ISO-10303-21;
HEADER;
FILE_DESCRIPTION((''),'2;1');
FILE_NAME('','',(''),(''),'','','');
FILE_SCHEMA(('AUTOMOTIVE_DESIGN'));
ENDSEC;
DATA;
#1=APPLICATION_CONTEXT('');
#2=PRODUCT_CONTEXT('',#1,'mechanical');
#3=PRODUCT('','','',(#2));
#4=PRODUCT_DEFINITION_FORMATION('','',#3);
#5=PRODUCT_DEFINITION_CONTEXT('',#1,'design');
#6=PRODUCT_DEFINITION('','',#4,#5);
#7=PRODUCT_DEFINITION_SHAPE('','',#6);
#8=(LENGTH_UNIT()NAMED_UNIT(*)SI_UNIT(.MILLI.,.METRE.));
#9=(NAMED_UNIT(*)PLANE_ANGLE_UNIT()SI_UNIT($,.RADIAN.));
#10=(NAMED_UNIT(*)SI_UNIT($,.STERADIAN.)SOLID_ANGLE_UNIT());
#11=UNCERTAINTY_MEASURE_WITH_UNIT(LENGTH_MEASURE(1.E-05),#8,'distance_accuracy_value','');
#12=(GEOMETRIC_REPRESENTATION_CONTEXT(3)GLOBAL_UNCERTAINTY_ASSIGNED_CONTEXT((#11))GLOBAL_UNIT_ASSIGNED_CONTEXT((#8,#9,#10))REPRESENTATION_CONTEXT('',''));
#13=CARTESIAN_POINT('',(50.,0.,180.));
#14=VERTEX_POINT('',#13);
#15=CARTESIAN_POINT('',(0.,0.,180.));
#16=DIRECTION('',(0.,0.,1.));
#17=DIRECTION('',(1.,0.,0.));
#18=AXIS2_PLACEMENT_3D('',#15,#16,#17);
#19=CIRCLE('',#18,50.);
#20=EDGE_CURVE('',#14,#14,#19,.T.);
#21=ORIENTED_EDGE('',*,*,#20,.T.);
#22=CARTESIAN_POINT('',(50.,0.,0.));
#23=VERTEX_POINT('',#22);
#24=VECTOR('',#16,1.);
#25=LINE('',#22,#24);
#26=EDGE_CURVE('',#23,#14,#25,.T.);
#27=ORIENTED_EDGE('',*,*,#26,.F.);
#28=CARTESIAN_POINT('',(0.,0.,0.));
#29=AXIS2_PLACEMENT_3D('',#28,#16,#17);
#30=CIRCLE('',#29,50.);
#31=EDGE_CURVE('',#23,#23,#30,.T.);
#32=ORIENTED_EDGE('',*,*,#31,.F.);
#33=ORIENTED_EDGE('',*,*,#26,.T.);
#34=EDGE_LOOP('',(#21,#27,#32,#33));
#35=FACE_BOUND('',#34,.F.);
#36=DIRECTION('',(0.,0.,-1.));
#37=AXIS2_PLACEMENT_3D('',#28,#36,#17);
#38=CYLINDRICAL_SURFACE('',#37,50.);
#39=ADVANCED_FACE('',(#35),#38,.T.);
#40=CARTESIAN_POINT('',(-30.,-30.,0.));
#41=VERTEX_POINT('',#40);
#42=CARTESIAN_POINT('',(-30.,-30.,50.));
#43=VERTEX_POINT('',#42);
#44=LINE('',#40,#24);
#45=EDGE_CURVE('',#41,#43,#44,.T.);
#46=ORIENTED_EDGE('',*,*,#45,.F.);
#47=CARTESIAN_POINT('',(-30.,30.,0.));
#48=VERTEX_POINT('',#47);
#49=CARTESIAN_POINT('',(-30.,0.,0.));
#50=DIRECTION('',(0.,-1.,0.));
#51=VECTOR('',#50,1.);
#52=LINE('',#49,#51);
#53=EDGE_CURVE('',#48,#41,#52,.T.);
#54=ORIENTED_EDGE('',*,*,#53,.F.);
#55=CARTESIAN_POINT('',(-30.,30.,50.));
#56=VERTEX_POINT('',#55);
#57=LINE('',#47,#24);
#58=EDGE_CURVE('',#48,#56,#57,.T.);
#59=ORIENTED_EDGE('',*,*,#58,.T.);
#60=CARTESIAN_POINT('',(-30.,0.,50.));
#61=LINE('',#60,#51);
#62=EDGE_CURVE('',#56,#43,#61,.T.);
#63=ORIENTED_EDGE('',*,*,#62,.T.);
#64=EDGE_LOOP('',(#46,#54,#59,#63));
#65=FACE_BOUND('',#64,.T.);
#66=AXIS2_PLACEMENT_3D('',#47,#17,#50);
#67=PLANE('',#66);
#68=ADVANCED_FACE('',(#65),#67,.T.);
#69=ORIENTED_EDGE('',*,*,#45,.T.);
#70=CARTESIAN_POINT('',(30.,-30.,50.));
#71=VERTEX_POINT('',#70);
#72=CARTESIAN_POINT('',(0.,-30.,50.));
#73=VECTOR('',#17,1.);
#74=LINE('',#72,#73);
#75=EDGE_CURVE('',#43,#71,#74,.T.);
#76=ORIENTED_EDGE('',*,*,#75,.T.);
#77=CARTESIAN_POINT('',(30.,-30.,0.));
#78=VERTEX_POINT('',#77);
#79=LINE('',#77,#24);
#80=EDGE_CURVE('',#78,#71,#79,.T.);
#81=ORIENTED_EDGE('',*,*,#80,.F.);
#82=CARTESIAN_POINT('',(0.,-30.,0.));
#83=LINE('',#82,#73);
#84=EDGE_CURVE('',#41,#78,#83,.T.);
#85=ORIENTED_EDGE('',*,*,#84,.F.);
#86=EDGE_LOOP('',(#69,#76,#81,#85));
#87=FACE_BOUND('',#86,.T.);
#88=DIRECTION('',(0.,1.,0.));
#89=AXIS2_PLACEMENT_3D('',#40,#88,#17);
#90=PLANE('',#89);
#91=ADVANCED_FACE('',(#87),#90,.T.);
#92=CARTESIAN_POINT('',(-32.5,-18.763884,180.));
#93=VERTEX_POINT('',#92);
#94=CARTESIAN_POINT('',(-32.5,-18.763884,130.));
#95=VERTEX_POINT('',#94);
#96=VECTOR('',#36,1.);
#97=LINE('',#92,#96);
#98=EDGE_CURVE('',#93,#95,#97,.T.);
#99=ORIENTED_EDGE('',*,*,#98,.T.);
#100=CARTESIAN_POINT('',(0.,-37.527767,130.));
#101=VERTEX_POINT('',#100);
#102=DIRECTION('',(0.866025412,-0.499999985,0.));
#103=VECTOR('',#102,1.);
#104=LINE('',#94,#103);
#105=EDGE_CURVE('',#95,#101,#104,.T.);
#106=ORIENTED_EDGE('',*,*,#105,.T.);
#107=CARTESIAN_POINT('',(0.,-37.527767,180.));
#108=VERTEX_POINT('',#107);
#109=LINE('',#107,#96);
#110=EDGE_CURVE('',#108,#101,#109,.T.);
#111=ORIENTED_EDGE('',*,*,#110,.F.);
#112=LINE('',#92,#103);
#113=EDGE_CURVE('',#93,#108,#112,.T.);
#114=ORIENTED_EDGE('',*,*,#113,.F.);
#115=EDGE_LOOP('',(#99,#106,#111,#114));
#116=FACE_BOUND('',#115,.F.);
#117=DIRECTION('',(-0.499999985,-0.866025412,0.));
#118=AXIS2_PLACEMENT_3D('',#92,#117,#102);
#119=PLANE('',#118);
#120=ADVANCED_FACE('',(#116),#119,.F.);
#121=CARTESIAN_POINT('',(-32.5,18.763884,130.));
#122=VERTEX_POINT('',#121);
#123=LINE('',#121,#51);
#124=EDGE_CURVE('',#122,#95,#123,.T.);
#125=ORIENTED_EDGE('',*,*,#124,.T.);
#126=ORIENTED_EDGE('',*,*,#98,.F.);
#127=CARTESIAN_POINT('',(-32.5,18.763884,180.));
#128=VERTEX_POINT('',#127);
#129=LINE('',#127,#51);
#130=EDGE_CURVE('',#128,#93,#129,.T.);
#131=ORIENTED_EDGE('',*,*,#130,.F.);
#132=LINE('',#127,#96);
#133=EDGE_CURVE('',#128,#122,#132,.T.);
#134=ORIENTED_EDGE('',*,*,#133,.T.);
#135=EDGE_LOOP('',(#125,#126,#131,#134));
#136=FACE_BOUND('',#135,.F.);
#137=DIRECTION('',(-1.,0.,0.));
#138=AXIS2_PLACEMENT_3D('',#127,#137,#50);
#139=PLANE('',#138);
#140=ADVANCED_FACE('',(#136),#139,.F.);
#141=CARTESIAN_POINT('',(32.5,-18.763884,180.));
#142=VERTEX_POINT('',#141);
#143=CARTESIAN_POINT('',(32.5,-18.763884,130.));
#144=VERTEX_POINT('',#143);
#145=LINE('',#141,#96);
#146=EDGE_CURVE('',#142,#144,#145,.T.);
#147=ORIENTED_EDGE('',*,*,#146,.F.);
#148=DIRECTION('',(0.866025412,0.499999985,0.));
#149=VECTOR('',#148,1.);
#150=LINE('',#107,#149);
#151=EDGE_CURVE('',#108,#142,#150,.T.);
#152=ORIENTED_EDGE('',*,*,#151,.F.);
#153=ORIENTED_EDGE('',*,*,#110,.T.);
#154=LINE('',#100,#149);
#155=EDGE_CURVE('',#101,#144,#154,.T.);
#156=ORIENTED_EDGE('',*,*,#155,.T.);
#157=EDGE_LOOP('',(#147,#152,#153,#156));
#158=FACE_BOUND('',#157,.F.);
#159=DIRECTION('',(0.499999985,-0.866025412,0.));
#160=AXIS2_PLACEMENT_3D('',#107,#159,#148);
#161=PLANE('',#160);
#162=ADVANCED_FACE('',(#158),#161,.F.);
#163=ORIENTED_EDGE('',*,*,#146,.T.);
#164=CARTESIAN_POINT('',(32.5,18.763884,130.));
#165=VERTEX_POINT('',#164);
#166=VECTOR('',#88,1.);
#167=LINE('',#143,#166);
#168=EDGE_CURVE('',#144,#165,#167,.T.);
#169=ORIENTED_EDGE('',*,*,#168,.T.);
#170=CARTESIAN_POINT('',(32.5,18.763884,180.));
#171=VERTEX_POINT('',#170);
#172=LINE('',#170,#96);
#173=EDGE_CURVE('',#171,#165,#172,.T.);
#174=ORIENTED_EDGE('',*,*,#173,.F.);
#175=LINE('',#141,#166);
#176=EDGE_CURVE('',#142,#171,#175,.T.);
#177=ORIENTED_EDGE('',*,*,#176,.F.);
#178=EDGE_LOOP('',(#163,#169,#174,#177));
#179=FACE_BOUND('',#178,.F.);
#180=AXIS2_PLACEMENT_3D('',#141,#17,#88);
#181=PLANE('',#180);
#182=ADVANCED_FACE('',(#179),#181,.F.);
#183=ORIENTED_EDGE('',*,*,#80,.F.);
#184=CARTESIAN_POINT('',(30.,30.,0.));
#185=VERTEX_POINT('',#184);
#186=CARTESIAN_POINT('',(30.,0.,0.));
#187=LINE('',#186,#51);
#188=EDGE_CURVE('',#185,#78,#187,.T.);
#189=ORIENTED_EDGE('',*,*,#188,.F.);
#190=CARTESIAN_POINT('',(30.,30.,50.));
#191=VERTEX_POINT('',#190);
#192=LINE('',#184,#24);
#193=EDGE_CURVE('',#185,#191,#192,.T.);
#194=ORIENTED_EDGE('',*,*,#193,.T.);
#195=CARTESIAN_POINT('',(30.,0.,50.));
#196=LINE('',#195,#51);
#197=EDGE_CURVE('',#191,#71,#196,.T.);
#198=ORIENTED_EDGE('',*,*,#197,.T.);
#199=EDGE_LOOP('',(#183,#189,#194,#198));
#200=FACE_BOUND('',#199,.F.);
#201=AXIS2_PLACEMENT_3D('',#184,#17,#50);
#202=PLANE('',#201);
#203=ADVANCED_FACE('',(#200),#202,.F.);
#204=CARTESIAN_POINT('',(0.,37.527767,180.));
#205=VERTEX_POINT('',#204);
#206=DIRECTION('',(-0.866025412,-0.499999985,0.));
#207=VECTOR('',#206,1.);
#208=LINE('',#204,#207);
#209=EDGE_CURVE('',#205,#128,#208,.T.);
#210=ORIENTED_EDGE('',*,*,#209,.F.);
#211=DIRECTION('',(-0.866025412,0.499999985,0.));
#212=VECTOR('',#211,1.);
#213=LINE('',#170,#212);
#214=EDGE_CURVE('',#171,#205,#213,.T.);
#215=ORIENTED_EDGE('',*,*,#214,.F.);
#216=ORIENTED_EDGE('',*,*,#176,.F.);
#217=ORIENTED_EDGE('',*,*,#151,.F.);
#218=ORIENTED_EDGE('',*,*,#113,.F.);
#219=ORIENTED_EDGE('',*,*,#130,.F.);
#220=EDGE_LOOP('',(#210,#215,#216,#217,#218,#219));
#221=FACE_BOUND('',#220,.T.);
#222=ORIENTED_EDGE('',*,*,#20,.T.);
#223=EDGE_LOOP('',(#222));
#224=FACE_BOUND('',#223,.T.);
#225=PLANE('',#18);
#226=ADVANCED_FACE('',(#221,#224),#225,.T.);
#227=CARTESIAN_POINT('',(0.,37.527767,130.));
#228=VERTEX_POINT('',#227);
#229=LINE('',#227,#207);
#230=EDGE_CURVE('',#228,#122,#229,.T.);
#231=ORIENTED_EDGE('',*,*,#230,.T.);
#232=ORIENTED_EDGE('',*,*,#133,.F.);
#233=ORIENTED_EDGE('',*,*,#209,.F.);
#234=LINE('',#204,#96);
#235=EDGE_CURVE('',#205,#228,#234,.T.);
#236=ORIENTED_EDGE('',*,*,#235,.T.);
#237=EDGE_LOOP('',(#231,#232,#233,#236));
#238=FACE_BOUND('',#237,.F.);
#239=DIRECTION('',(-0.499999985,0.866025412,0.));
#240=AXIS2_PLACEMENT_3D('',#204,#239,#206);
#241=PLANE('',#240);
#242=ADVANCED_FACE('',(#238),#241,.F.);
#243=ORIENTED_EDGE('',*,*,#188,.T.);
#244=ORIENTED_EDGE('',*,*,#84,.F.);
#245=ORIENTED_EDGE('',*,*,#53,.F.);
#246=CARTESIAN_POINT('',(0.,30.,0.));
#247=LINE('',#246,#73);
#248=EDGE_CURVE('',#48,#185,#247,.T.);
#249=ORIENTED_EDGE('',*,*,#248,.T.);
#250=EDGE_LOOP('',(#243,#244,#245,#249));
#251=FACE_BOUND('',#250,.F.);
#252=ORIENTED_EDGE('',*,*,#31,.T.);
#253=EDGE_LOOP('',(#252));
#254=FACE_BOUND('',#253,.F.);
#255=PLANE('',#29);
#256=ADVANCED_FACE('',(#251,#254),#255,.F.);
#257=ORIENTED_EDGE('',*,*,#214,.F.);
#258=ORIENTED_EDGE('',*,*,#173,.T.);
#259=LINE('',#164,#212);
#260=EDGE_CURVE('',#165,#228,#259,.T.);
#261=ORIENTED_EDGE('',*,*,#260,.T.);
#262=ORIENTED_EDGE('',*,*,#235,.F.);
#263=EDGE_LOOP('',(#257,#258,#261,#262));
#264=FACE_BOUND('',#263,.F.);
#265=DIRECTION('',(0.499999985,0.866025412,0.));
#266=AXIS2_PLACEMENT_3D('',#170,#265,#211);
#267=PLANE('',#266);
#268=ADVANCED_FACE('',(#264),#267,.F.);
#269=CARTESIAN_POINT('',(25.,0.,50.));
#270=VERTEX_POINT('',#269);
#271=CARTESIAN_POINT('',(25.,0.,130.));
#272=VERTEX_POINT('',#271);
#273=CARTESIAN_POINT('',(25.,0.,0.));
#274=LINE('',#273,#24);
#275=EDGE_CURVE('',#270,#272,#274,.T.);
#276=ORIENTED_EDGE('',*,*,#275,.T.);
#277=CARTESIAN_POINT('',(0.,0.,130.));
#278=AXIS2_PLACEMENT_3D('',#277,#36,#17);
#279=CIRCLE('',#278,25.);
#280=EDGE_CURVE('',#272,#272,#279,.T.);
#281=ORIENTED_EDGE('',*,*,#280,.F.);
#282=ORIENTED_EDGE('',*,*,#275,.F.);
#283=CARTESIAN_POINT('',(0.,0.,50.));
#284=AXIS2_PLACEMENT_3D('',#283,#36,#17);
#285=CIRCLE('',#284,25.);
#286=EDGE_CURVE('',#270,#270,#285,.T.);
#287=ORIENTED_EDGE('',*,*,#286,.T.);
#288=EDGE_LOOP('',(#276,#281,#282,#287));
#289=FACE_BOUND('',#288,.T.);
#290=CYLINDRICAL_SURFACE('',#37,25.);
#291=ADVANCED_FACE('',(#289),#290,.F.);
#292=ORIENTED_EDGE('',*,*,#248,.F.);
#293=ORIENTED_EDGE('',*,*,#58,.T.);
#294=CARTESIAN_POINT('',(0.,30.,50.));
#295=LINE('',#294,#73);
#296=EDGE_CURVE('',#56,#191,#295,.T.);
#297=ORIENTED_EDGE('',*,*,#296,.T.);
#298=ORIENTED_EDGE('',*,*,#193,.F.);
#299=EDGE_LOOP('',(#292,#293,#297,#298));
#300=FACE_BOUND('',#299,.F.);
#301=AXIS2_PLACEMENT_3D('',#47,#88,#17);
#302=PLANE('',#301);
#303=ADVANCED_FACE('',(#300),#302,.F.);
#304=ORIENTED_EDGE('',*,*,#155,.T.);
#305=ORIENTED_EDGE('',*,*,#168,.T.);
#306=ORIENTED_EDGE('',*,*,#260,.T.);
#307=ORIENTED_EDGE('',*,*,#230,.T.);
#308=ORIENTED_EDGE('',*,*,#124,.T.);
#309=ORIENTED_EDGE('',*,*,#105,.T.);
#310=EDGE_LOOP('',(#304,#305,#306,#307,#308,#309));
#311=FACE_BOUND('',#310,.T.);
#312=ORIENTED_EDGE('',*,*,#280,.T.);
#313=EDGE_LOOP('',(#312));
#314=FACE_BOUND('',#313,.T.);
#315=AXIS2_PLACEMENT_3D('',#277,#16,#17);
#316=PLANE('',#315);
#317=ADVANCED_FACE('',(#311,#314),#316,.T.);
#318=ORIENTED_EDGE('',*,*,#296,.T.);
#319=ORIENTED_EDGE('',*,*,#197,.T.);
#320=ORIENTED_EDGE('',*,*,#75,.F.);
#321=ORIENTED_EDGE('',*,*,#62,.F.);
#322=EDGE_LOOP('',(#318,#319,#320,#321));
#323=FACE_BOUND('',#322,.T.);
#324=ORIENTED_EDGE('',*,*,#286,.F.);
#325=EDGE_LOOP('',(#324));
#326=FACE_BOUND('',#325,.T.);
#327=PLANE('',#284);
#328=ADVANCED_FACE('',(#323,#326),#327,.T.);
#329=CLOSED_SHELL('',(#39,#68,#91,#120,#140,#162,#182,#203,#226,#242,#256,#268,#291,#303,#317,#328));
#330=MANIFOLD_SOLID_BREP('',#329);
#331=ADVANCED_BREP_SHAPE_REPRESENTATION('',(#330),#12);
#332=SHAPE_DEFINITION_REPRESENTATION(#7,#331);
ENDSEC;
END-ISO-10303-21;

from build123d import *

# Parameters (mm, degrees)
F0_R     = 50
F1_DEPTH = 180
F2_R     = 25
F3_DEPTH = 180
F5_DEPTH = 50
F6_W     = 60
F6_H     = 60
F7_DEPTH = 50


with BuildPart() as f1:
    # F0 (on Top) → F1 (new body)
    with BuildSketch(Plane.XY):
        Circle(F0_R)
    extrude(amount=F1_DEPTH)

    # F2 (on Top) → F3 (cut, through all)
    with BuildSketch(Plane.XY):
        Circle(F2_R)
    extrude(amount=F3_DEPTH, mode=Mode.SUBTRACT)

    # F4 (on face) → F5 (cut)
    with BuildSketch(Plane.XY.offset(180)):
        Polygon((-32.5, 18.763884), (-32.5, -18.763884), (0, -37.527767), (32.5, -18.763884), (32.5, 18.763884), (0, 37.527767), align=None)
    extrude(amount=-F5_DEPTH, mode=Mode.SUBTRACT)

    # F6 (on face) → F7 (cut)
    with BuildSketch(Plane(origin=(0, 0, 0), x_dir=(1, 0, 0), z_dir=(0, 0, -1))):
        Rectangle(F6_W, F6_H)
    extrude(amount=-F7_DEPTH, mode=Mode.SUBTRACT)


solid = f1.part
